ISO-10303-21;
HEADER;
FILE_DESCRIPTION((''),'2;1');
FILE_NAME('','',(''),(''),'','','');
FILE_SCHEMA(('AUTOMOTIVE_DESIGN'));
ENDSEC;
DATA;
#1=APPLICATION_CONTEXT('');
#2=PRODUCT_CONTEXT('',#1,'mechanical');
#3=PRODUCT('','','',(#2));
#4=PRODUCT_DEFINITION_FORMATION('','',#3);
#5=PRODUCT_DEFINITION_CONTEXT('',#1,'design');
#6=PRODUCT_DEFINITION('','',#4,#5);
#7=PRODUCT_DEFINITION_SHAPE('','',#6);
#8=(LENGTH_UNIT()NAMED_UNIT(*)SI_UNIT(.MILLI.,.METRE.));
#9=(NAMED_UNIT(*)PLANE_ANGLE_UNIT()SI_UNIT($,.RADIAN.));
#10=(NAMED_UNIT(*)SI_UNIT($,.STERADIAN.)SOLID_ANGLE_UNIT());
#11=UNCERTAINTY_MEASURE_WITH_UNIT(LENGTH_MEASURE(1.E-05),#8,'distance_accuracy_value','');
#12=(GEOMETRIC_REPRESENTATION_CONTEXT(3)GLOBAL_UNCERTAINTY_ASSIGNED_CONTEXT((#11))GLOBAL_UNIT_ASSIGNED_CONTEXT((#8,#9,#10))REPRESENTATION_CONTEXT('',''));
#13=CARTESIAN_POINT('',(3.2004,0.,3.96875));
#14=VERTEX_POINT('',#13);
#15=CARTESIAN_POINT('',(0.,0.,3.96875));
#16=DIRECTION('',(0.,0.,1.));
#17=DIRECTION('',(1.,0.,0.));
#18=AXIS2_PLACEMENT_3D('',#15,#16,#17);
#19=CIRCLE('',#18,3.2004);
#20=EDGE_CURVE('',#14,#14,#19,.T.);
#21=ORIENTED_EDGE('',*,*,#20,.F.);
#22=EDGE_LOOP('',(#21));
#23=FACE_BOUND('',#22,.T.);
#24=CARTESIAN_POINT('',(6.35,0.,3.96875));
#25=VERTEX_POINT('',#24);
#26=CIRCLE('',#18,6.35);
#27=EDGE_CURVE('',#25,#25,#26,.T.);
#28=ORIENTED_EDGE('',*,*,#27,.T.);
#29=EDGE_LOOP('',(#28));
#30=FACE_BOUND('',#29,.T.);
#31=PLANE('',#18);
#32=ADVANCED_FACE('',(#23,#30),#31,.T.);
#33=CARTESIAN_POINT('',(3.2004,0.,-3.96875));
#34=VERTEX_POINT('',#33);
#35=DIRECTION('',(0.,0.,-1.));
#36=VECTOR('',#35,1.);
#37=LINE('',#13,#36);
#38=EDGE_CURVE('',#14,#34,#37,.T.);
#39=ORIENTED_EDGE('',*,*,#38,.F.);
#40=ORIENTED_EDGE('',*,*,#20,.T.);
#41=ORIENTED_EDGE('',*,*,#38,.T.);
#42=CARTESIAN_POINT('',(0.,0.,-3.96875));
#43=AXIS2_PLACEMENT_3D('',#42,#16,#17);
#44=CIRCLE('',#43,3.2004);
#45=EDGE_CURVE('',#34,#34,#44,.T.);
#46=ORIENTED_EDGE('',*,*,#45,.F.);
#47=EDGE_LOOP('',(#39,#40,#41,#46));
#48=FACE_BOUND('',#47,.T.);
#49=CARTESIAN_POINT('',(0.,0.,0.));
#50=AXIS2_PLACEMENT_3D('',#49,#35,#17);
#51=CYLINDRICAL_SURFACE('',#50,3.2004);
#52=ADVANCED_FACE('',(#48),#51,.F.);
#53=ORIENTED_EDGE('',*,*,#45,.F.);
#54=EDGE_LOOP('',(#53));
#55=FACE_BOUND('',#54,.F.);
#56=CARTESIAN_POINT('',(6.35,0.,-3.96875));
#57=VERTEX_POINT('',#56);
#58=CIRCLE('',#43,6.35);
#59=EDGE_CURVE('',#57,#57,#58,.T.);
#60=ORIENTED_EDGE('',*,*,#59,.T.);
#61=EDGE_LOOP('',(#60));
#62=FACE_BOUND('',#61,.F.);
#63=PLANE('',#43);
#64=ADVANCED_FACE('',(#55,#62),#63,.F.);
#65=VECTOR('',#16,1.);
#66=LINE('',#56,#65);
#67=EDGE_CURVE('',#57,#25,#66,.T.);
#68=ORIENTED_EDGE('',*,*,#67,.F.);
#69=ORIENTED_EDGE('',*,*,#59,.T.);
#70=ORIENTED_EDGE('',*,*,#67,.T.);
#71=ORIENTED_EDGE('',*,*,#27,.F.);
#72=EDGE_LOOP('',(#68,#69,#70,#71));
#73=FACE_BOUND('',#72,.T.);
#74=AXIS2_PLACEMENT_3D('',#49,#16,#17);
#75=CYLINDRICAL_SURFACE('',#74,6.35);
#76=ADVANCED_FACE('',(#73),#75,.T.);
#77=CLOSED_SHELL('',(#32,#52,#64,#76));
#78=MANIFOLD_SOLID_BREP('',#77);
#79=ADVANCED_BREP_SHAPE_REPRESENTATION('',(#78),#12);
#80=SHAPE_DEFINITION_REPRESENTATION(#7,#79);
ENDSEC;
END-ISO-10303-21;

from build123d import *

# Parameters (mm, degrees)
SKETCH1_R      = 6.35
SKETCH1_R_2    = 3.2004
EXTRUDE1_DEPTH = 3.96875


with BuildPart() as part:
    # Sketch1 → Extrude1 (new body, symmetric)
    with BuildSketch(Plane.XY):
        Circle(SKETCH1_R)
        Circle(SKETCH1_R_2, mode=Mode.SUBTRACT)
    extrude(amount=EXTRUDE1_DEPTH, both=True)


solid = part.part
